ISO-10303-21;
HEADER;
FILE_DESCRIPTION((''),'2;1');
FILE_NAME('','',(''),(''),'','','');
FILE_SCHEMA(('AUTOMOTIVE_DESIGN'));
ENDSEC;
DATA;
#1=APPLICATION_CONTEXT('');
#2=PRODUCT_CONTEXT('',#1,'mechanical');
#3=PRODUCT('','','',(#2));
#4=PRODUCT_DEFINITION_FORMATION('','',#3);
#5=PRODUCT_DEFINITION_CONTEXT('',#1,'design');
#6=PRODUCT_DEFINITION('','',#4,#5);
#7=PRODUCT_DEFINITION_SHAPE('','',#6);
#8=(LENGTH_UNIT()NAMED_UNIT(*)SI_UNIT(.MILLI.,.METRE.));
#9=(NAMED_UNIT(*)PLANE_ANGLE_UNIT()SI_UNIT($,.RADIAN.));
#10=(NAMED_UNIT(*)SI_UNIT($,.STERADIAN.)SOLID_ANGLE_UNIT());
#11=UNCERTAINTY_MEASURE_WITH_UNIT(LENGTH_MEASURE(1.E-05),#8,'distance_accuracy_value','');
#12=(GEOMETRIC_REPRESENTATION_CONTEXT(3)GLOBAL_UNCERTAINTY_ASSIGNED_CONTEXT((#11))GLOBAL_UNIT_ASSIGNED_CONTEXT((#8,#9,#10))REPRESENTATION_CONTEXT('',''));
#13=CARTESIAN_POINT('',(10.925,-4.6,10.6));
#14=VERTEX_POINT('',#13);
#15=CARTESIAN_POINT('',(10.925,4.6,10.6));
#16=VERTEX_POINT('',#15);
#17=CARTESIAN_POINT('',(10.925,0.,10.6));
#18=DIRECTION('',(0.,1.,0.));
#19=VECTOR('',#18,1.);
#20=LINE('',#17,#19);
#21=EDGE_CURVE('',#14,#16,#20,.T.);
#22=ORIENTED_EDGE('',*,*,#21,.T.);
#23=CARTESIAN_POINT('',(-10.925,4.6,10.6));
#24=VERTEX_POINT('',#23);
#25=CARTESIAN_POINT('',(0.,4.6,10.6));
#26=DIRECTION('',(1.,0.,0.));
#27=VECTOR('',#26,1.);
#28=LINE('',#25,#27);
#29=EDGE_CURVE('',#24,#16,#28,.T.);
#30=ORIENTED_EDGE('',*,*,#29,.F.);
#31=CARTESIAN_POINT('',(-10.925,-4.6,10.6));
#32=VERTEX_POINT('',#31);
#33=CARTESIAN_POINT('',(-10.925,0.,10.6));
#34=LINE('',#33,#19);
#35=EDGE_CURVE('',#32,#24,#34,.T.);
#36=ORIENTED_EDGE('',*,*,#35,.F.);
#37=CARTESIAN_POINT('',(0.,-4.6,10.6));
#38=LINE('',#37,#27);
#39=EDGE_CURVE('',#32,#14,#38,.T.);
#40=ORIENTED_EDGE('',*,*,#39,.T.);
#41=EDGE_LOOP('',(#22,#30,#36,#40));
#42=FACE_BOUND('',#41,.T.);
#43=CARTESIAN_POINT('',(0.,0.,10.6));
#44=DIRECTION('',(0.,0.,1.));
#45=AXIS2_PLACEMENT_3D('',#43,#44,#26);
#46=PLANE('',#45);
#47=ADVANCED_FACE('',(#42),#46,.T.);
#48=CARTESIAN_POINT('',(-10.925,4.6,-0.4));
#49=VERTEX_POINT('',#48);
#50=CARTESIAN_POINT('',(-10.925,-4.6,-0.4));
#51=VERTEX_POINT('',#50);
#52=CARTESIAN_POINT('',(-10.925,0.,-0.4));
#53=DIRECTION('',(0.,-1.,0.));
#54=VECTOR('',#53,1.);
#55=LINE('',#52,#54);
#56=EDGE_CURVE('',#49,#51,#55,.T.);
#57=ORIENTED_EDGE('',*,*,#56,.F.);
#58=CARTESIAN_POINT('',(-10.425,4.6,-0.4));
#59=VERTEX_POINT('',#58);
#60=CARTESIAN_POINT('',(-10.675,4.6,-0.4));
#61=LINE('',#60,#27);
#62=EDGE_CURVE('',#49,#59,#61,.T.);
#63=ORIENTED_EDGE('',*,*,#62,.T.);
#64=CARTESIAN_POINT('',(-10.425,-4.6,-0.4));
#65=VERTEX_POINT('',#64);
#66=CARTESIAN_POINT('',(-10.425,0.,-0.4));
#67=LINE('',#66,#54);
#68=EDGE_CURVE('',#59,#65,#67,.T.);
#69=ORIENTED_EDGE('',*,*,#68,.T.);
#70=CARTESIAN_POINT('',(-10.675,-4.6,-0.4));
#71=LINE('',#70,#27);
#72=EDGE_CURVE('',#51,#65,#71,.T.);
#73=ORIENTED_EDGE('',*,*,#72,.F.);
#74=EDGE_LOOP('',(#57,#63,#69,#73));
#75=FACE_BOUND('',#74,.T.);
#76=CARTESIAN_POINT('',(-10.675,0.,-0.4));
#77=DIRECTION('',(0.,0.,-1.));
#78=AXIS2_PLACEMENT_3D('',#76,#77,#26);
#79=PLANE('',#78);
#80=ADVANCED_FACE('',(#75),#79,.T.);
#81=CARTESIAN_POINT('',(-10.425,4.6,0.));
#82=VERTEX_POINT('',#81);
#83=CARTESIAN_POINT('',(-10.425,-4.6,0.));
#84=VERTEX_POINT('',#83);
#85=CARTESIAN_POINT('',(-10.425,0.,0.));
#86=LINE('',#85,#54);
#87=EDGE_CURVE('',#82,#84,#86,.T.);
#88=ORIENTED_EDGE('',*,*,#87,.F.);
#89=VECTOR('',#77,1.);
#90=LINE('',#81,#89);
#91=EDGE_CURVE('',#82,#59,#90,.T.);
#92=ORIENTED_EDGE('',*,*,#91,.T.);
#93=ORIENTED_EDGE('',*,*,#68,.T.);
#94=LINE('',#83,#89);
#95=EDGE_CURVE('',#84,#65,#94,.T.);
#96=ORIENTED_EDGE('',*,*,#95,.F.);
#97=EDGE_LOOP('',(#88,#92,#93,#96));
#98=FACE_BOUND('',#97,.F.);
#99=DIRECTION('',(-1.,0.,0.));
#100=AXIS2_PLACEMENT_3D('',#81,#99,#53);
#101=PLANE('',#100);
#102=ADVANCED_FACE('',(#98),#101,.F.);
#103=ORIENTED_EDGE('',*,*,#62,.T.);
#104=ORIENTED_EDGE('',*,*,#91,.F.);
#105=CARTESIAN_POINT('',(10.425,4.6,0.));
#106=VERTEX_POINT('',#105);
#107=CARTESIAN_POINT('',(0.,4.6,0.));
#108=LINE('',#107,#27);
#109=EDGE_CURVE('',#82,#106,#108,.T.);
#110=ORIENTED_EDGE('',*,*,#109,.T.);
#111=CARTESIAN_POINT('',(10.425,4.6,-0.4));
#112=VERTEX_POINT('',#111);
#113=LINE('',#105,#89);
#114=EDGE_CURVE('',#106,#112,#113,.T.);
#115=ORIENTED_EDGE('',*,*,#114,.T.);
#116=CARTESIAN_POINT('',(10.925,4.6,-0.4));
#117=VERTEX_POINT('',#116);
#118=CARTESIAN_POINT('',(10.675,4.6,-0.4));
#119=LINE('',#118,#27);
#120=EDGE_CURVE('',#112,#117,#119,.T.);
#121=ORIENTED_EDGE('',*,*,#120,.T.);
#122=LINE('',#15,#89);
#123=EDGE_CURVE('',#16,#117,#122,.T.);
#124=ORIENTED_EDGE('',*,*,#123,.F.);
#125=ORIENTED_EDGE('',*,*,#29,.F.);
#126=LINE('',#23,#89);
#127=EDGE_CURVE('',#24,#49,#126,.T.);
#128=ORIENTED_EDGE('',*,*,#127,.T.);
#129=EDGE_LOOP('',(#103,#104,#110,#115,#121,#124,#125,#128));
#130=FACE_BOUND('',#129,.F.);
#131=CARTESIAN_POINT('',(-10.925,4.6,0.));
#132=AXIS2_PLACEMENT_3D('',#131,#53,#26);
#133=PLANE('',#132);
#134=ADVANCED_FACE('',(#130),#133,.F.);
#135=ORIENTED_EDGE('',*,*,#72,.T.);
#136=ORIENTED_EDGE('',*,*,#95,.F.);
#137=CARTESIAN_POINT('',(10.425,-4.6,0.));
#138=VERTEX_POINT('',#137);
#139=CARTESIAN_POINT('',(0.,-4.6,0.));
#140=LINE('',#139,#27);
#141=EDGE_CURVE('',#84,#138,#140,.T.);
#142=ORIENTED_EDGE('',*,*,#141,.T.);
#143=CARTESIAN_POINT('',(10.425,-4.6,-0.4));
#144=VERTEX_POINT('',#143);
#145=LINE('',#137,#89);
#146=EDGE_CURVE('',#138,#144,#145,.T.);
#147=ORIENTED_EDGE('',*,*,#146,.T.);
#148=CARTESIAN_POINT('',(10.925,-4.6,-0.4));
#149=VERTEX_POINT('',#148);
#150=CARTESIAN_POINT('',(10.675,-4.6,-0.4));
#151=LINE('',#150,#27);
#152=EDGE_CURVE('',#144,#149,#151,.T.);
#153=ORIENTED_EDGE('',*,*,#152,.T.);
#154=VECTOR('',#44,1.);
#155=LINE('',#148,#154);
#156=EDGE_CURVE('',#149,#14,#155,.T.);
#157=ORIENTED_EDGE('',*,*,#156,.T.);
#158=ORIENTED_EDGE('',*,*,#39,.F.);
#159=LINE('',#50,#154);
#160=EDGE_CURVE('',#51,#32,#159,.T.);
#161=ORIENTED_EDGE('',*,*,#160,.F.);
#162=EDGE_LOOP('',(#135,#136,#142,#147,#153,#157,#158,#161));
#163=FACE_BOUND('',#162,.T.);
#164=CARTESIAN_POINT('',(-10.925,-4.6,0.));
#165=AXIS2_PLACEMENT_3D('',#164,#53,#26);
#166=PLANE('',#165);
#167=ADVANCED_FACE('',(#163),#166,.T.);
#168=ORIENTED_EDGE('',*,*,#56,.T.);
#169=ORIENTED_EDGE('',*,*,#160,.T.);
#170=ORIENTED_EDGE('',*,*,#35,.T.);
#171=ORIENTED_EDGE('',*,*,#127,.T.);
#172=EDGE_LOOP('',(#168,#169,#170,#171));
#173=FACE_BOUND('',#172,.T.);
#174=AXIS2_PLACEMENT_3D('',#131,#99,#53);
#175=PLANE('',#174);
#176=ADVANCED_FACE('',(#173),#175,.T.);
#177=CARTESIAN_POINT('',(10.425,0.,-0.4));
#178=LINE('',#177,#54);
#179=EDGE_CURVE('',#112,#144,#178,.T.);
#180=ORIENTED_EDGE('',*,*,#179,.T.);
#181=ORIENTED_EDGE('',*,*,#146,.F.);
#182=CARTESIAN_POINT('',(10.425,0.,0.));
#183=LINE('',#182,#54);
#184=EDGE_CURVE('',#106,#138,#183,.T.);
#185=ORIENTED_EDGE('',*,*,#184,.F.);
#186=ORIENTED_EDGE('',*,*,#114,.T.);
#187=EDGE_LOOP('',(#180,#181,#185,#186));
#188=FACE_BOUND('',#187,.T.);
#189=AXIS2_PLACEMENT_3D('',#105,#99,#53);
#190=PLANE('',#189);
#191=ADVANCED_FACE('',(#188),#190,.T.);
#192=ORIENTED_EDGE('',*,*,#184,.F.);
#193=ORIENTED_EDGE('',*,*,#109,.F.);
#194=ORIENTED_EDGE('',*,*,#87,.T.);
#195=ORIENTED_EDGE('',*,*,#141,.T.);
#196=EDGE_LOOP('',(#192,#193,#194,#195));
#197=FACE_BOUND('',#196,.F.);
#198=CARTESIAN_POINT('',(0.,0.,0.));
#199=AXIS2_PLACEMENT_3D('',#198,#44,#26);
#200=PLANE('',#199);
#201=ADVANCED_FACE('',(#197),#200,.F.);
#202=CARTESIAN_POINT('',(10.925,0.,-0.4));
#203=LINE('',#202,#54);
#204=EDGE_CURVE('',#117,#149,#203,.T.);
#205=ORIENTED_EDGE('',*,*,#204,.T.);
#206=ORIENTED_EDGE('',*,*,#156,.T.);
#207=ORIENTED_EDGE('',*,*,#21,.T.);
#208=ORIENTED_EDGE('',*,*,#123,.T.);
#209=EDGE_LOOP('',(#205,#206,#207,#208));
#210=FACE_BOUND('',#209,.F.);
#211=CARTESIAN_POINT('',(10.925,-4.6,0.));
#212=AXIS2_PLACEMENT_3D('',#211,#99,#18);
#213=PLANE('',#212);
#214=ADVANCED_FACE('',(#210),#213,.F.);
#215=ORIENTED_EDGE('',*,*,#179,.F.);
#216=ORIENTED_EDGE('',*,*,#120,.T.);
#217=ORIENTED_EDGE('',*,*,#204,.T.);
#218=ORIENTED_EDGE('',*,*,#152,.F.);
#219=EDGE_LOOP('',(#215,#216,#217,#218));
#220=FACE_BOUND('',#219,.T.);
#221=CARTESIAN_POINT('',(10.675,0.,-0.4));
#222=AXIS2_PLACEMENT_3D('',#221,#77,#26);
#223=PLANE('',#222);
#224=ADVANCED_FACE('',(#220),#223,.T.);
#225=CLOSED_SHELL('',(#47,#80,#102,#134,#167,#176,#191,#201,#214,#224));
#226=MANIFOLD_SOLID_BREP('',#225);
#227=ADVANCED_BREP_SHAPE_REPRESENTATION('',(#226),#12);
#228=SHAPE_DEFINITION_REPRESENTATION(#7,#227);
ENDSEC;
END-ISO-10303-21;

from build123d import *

# Parameters (mm, degrees)
F0_W     = 21.85
F0_H     = 9.2
F1_DEPTH = 10.6
F2_W     = 0.5
F2_H     = 9.2
F3_DEPTH = 0.4


with BuildPart() as f1:
    # F0 (on Top) → F1 (new body)
    with BuildSketch(Plane.XY):
        Rectangle(F0_W, F0_H)
    extrude(amount=F1_DEPTH)

    # F2 (on face) → F3 (join)
    with BuildSketch(Plane(origin=(0, 0, 0), x_dir=(1, 0, 0), z_dir=(0, 0, -1))):
        with Locations((-10.675, 0)):
            Rectangle(F2_W, F2_H)
        with Locations((10.675, 0)):
            Rectangle(F2_W, F2_H)
    extrude(amount=F3_DEPTH)


solid = f1.part
